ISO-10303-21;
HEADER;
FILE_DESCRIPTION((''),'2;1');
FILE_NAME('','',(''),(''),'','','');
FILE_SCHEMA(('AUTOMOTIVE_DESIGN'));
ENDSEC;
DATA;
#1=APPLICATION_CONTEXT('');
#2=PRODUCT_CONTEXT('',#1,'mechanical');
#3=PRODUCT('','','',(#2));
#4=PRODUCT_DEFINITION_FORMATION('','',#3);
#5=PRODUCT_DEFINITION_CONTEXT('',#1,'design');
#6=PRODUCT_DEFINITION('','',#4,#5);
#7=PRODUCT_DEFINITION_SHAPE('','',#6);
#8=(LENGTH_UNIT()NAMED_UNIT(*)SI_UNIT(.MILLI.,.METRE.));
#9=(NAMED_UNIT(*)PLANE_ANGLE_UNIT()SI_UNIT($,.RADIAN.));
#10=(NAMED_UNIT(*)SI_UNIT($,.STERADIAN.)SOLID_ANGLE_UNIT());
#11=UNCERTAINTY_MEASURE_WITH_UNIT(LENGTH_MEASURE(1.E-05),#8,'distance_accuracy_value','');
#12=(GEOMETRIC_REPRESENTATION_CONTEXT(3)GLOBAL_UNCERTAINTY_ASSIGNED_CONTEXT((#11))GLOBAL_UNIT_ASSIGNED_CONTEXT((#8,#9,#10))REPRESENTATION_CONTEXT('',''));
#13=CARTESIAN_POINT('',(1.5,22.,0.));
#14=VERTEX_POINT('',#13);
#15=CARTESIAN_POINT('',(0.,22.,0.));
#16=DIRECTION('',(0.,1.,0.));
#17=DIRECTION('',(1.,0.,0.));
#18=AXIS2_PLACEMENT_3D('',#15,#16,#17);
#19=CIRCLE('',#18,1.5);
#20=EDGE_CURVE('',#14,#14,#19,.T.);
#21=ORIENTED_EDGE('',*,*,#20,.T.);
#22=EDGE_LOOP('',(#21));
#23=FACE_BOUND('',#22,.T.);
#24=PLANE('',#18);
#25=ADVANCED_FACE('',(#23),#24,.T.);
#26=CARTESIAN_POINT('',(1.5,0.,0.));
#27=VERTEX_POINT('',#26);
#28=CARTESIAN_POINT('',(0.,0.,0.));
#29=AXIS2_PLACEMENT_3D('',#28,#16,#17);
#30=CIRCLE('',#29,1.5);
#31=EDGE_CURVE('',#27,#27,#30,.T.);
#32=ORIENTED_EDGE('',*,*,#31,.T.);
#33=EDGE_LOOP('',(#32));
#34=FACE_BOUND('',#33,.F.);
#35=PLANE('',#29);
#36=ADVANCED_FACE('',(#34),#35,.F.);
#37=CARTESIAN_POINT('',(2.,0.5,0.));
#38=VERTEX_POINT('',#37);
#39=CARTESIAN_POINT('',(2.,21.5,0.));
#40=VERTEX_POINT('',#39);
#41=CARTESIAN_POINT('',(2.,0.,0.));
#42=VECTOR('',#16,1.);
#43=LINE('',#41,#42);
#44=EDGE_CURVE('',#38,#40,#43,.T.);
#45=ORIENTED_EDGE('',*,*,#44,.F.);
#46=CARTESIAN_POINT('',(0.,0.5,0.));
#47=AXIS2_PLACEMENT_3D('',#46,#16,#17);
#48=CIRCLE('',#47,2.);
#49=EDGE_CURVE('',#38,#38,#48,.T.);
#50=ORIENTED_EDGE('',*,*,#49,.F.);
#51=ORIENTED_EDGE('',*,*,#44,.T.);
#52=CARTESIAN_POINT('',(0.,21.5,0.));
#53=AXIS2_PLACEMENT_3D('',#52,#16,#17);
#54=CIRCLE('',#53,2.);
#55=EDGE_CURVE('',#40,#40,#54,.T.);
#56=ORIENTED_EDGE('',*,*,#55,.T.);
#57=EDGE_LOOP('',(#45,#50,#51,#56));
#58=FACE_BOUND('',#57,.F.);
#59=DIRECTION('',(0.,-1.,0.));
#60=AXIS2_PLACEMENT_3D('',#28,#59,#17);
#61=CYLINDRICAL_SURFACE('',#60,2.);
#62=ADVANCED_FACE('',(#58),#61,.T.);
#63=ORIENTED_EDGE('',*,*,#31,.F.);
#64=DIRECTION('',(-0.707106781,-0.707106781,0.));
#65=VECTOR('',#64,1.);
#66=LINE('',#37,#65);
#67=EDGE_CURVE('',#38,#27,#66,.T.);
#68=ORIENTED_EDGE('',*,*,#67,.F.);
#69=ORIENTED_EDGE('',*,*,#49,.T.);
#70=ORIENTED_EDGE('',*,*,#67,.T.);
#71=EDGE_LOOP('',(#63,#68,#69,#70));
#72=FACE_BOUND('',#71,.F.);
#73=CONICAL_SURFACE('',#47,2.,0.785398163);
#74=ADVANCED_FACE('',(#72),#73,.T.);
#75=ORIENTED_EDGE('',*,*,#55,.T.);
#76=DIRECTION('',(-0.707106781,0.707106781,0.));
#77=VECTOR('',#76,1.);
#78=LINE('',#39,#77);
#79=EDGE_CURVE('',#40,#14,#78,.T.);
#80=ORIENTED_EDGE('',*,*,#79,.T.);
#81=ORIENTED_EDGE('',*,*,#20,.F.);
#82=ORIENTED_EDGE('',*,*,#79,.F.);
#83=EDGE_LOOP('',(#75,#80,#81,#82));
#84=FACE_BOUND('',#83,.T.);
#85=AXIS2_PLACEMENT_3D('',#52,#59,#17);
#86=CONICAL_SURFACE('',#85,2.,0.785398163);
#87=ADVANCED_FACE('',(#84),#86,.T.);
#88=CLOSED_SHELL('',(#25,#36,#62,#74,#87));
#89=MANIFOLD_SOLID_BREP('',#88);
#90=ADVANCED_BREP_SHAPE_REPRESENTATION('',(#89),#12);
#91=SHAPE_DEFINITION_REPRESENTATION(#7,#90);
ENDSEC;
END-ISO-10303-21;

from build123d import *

# Parameters (mm, degrees)
SKETCH1_R           = 2
BOSS_EXTRUDE1_DEPTH = 22
CHAMFER1_SIZE       = 0.5


with BuildPart() as part:
    # Sketch1 → Boss-Extrude1 (new body)
    with BuildSketch(Plane(origin=(0, 0, 0), x_dir=(1, 0, 0), z_dir=(0, 1, 0))):
        Circle(SKETCH1_R)
    extrude(amount=BOSS_EXTRUDE1_DEPTH)

    # Chamfer1
    chamfer1_edges = [part.edges().sort_by_distance(p)[0] for p in [
        (-2, 0, 0),
        (-2, 22, 0),
    ]]
    chamfer(chamfer1_edges, length=CHAMFER1_SIZE)


solid = part.part
